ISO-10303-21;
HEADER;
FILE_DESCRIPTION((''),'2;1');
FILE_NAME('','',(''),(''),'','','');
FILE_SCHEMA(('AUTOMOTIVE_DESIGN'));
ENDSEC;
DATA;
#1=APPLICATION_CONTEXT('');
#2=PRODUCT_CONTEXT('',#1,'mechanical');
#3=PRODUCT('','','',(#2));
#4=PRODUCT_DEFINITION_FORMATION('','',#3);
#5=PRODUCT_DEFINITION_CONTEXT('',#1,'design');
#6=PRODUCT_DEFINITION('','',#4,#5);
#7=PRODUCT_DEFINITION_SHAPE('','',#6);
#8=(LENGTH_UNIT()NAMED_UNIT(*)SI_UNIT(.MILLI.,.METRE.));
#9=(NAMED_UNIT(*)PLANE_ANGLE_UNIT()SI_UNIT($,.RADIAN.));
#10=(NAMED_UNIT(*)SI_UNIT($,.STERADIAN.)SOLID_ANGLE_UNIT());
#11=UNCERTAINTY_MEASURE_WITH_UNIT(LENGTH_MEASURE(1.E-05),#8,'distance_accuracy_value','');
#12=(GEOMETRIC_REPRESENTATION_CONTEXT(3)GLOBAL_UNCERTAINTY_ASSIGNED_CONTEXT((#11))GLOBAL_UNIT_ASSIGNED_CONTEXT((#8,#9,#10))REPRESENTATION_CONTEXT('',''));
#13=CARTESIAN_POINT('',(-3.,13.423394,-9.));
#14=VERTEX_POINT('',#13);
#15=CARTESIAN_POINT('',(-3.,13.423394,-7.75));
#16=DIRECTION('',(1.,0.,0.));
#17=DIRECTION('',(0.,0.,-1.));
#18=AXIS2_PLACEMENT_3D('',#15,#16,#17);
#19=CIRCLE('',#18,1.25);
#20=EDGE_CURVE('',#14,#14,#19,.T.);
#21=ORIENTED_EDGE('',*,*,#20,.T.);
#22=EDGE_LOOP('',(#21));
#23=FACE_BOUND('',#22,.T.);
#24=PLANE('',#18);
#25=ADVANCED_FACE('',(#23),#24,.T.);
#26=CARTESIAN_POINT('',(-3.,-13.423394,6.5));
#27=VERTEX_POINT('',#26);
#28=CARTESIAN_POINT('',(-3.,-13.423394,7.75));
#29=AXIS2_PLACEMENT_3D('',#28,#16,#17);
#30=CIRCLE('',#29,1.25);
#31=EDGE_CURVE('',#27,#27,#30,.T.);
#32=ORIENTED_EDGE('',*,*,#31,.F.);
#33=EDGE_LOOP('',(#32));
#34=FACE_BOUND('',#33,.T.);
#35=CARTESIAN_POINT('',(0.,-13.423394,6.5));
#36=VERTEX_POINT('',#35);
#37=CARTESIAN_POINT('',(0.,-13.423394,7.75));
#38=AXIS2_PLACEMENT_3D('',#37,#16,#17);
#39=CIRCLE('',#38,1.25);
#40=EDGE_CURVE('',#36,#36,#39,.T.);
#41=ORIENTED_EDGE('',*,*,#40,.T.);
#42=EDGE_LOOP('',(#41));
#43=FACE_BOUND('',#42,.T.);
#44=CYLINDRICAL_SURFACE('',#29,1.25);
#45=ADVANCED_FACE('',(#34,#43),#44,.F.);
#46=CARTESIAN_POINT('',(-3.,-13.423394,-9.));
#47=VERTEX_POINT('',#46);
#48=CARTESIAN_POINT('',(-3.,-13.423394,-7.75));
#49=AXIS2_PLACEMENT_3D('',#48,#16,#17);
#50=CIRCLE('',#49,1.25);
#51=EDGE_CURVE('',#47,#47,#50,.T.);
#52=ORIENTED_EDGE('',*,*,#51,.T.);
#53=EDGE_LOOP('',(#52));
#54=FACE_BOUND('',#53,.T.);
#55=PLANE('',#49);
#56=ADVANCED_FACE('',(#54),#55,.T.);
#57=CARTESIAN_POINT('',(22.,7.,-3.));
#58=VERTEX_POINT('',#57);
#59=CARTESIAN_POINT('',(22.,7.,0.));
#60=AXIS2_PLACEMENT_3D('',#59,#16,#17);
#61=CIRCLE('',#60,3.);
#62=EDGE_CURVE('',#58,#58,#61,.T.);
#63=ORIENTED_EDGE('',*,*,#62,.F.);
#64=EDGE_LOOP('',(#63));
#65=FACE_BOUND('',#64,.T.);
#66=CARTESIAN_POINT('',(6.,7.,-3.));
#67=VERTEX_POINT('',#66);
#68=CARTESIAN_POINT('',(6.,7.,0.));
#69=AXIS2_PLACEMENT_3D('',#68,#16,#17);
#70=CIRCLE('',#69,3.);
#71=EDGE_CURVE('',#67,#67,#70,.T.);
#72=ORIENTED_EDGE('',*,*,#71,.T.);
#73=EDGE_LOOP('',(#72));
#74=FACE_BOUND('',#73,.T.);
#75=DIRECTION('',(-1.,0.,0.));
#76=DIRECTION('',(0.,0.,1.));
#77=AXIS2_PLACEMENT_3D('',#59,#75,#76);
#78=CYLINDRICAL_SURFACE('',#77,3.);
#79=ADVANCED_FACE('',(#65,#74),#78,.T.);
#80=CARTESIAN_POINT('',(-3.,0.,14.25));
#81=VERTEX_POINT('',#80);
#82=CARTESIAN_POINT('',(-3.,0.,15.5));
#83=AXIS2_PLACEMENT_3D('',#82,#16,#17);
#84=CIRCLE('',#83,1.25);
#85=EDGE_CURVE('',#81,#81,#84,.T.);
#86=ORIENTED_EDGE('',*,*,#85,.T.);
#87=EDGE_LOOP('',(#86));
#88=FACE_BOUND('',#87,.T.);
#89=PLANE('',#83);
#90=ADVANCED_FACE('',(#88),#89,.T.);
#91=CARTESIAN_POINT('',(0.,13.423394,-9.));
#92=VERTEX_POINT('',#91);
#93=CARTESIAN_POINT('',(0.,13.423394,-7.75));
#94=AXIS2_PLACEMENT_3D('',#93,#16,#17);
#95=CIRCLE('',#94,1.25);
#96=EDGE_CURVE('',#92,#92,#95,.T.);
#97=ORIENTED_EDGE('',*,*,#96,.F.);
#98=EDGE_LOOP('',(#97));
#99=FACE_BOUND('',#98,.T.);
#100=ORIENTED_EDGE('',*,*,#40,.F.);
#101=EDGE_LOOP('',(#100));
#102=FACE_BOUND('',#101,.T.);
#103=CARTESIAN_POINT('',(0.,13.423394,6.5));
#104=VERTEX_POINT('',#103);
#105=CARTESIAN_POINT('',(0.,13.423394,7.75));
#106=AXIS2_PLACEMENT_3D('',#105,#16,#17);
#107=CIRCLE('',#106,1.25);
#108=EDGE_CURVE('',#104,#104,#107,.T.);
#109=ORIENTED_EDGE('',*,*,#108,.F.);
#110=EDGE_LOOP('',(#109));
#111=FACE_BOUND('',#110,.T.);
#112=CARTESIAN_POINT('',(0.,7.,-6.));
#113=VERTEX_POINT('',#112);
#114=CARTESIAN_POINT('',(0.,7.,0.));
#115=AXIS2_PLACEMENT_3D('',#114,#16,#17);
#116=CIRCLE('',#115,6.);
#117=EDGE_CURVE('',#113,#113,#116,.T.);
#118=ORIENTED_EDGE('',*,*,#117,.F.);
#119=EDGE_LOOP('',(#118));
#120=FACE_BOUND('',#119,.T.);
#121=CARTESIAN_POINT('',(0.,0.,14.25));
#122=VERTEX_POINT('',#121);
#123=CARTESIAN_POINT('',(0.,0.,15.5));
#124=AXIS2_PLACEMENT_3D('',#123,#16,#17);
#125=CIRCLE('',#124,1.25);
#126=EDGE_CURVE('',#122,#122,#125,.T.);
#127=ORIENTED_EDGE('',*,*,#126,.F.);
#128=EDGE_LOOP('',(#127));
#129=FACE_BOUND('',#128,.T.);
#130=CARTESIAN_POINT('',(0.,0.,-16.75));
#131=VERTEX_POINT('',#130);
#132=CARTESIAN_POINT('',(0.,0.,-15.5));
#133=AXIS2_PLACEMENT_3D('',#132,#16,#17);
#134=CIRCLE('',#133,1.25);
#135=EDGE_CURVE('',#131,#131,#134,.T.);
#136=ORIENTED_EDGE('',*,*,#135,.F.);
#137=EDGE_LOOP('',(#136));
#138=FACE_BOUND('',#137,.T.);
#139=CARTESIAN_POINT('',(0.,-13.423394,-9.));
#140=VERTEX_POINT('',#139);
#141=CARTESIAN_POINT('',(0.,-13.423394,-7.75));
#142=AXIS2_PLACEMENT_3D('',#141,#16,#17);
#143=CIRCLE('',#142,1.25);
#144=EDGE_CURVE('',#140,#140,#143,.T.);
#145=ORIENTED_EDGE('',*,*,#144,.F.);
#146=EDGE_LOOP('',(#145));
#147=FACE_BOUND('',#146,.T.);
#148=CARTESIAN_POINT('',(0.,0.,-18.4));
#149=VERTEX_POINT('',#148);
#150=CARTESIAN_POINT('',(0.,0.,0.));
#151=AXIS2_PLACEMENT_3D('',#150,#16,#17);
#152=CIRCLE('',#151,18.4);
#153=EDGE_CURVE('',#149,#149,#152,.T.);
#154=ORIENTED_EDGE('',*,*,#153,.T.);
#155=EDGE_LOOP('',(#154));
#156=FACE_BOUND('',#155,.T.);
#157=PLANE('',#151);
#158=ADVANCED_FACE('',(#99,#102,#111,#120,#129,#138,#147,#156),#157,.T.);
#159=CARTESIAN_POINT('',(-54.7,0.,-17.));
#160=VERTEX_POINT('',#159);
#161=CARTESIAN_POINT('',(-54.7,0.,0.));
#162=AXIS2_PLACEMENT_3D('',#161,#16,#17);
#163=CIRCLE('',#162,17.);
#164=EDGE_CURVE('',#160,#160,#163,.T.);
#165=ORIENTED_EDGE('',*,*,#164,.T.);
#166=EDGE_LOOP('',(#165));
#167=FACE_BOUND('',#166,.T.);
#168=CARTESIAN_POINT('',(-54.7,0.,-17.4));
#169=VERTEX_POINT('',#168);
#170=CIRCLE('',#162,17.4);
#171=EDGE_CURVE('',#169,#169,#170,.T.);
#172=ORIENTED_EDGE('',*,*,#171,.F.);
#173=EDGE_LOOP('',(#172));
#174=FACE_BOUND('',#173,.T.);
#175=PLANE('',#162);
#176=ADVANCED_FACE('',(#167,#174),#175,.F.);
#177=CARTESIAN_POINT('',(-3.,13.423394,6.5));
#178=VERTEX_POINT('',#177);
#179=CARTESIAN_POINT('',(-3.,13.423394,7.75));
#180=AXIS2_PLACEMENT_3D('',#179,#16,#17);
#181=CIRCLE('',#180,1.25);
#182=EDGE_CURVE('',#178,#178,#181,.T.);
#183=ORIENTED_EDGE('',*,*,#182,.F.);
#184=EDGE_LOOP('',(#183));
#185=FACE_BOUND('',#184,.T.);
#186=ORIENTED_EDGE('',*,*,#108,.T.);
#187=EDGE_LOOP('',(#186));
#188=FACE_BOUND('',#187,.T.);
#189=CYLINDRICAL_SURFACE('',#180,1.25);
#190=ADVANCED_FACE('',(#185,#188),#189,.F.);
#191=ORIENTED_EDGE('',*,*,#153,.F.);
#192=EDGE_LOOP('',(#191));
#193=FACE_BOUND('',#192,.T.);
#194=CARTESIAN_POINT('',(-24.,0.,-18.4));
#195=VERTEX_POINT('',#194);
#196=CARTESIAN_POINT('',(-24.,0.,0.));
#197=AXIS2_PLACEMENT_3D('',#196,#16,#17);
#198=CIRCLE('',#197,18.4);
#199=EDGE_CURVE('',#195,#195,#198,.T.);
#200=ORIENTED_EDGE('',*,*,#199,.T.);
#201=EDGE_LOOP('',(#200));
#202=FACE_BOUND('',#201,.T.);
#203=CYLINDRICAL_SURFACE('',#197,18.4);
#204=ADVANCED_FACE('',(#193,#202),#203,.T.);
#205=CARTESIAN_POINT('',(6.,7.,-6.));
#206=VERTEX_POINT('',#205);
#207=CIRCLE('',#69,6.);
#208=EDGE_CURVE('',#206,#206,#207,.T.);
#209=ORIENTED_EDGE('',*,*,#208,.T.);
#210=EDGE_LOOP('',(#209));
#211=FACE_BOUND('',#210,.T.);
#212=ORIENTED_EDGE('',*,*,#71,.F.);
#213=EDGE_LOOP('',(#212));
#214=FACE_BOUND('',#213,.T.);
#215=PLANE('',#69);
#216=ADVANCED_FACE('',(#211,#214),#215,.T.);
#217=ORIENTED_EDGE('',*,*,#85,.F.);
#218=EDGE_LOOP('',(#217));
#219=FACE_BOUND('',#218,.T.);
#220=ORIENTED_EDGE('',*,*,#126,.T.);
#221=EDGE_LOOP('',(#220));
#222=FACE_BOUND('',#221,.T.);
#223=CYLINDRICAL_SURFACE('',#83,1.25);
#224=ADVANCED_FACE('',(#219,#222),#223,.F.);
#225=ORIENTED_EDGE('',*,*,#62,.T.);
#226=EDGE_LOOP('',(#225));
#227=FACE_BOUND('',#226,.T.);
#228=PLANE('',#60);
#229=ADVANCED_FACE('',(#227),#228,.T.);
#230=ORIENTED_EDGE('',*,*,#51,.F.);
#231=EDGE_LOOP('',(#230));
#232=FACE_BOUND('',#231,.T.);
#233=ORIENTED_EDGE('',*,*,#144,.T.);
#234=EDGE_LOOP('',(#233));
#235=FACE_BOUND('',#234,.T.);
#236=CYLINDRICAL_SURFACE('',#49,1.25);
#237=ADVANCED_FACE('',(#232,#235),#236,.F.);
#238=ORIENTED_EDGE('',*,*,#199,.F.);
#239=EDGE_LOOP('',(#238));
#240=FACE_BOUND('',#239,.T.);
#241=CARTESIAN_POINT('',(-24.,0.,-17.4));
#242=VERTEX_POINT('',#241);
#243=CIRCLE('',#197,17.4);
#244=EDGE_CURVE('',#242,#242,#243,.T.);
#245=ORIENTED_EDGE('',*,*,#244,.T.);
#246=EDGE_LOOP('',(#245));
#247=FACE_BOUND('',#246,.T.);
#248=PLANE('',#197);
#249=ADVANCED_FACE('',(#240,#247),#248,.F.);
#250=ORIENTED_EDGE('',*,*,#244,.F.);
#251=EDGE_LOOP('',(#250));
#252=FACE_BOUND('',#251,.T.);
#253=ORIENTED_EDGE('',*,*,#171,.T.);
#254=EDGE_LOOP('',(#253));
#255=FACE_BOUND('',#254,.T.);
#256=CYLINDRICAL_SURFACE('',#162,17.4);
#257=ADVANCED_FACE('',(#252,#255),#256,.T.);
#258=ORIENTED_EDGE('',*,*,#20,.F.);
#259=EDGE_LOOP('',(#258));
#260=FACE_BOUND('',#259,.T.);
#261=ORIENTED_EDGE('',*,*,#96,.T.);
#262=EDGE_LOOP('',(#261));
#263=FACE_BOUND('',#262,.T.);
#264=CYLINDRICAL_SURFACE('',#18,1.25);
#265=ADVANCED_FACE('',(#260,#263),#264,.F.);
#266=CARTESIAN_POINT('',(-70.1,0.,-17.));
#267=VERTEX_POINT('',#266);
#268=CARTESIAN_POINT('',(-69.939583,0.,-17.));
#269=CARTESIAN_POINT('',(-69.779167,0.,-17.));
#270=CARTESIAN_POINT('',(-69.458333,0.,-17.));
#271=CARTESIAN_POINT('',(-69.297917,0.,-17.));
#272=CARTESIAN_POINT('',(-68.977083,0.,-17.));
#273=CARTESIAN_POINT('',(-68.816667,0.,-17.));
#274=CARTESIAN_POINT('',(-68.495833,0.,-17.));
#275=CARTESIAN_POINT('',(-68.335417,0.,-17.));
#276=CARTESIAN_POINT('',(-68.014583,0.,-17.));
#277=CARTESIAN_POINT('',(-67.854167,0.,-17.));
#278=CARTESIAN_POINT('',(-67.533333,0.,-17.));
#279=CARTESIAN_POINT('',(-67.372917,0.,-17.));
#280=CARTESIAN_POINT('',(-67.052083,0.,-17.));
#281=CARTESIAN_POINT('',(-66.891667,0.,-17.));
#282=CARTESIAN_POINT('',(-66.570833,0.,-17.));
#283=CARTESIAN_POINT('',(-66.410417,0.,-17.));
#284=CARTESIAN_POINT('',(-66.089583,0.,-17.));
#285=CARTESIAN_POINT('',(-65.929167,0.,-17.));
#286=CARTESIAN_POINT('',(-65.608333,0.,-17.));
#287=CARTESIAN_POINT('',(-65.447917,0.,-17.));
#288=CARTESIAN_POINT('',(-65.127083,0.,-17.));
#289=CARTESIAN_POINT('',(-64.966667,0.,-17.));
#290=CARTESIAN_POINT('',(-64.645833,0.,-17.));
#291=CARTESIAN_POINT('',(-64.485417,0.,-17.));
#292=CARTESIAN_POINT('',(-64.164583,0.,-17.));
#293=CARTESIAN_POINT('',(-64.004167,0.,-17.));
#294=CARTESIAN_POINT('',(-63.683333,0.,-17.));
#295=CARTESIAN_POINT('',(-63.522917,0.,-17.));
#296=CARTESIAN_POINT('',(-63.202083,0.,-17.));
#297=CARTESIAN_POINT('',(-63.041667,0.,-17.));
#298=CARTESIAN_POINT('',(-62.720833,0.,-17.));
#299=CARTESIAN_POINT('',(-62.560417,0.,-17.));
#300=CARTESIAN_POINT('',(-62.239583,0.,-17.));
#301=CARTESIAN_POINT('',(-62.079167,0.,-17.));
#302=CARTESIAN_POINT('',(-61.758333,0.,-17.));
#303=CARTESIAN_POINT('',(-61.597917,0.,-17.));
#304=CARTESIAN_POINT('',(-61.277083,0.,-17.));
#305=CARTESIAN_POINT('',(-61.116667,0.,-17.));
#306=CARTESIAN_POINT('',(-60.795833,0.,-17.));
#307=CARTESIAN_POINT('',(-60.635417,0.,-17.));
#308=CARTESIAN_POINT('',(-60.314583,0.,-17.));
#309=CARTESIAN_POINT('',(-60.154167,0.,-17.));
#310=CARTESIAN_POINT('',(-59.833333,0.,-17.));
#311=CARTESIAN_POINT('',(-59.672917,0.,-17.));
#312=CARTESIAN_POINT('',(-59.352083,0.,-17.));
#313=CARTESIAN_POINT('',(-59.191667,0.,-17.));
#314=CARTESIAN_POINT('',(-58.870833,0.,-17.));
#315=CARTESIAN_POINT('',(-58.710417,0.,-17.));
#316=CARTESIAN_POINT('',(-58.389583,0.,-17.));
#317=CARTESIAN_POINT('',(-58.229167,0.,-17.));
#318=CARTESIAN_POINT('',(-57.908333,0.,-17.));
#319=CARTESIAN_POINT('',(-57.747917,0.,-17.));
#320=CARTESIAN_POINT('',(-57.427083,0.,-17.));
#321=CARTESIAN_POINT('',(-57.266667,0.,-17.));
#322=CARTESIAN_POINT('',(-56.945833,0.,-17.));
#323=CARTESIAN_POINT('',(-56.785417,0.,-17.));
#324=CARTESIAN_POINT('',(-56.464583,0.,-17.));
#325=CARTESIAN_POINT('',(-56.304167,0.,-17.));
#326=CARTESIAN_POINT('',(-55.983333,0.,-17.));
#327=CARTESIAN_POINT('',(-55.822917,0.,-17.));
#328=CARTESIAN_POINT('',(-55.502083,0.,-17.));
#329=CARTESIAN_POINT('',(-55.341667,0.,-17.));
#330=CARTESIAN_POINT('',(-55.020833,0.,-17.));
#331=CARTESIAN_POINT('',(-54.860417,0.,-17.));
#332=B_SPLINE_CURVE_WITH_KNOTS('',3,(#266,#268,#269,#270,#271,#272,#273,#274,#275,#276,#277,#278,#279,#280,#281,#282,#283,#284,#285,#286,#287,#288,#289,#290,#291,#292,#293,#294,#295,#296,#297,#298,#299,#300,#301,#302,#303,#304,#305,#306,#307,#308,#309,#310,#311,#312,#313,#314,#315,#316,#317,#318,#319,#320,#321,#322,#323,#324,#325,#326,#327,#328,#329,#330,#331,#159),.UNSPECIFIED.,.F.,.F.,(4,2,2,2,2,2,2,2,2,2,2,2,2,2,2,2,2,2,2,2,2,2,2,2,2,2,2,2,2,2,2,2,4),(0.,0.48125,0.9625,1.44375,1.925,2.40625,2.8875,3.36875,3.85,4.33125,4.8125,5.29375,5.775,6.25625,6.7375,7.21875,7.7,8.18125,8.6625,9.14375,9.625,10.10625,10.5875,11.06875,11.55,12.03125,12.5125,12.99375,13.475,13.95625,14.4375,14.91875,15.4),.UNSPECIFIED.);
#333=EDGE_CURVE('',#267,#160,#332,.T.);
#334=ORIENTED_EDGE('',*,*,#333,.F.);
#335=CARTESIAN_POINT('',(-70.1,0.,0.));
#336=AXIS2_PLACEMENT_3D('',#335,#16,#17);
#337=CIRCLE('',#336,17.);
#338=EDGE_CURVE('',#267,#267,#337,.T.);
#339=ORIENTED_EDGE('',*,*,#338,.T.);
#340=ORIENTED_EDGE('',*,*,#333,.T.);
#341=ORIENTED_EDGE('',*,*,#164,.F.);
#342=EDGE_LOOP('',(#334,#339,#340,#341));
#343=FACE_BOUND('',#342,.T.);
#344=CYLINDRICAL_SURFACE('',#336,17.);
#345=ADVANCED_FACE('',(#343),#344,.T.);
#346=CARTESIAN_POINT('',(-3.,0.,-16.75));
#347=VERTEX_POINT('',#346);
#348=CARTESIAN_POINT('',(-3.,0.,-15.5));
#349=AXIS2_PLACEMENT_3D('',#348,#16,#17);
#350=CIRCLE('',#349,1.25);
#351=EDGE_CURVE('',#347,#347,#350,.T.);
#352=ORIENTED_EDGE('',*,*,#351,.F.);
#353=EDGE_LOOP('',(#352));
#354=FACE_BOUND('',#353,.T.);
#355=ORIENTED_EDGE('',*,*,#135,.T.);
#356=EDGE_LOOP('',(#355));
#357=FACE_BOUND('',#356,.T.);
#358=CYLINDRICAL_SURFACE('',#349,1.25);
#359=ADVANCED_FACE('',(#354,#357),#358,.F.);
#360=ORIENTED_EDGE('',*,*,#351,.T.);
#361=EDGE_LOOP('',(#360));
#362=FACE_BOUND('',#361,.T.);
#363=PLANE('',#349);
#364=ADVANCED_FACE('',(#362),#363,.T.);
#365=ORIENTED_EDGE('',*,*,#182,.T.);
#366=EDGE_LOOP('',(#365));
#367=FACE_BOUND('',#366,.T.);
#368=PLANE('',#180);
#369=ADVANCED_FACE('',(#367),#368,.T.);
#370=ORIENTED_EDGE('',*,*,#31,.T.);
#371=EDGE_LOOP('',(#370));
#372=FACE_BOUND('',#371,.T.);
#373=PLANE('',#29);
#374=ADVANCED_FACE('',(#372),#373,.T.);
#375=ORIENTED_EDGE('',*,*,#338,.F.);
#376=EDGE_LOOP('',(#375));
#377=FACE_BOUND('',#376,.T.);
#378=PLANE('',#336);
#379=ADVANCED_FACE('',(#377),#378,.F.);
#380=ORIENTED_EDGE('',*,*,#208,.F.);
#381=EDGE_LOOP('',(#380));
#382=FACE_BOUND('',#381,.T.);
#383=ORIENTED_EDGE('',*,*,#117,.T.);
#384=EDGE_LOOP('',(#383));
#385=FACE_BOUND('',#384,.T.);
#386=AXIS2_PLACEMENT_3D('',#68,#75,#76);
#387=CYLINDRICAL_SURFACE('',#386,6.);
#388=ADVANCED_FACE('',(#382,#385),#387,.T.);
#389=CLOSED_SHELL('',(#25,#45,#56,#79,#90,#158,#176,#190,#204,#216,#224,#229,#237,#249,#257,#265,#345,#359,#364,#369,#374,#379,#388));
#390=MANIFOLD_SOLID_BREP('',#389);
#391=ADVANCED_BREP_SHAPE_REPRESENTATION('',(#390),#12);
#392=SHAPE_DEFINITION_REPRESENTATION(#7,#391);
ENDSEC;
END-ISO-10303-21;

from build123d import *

# Parameters (mm, degrees)
SK_GEARBOX_R              = 18.4
EX_GEARBOX_DEPTH          = 24
SK_MOTOR_R                = 17.4
EX_MOTOR_DEPTH            = 30.7
SK_ENCODER_R              = 17
EX_ENCODER_DEPTH          = 15.4
SK_BUSHING_R              = 6
EX_BUSHING_DEPTH          = 6
SK_SHAFT_R                = 3
EX_SHAFT_DEPTH            = 16
SK_MOUNTHOLES_6XM3_R      = 1.25
CUT_MOUNTHOLES_6XM3_DEPTH = 3


with BuildPart() as part:
    # SK_Gearbox → EX_Gearbox (new body)
    with BuildSketch(Plane(origin=(0, 0, 0), x_dir=(0, 0, -1), z_dir=(1, 0, 0))):
        Circle(SK_GEARBOX_R)
    extrude(amount=-EX_GEARBOX_DEPTH)

    # SK_Motor → EX_Motor (add)
    with BuildSketch(Plane(origin=(-24, 0, 0), x_dir=(0, 0, -1), z_dir=(1, 0, 0))):
        Circle(SK_MOTOR_R)
    extrude(amount=-EX_MOTOR_DEPTH)

    # SK_Encoder → EX_Encoder (add)
    with BuildSketch(Plane(origin=(-54.7, 0, 0), x_dir=(0, 0, -1), z_dir=(1, 0, 0))):
        Circle(SK_ENCODER_R)
    extrude(amount=-EX_ENCODER_DEPTH)

    # SK_Bushing → EX_Bushing (add)
    with BuildSketch(Plane(origin=(0, 0, 0), x_dir=(0, 0, -1), z_dir=(1, 0, 0))):
        with Locations((0, 7)):
            Circle(SK_BUSHING_R)
    extrude(amount=EX_BUSHING_DEPTH)

    # SK_Shaft → EX_Shaft (add)
    with BuildSketch(Plane(origin=(6, 0, 0), x_dir=(0, 0, -1), z_dir=(1, 0, 0))):
        with Locations((0, 7)):
            Circle(SK_SHAFT_R)
    extrude(amount=EX_SHAFT_DEPTH)

    # SK_MountHoles_6xM3 → CUT_MountHoles_6xM3 (cut)
    with BuildSketch(Plane(origin=(0, 0, 0), x_dir=(0, 0, -1), z_dir=(1, 0, 0))):
        with Locations((-15.5, 0)):
            Circle(SK_MOUNTHOLES_6XM3_R)
        with Locations((-7.75, 13.423393759)):
            Circle(SK_MOUNTHOLES_6XM3_R)
        with Locations((7.75, 13.423393759)):
            Circle(SK_MOUNTHOLES_6XM3_R)
        with Locations((15.5, 0)):
            Circle(SK_MOUNTHOLES_6XM3_R)
        with Locations((7.75, -13.423393759)):
            Circle(SK_MOUNTHOLES_6XM3_R)
        with Locations((-7.75, -13.423393759)):
            Circle(SK_MOUNTHOLES_6XM3_R)
    extrude(amount=-CUT_MOUNTHOLES_6XM3_DEPTH, mode=Mode.SUBTRACT)


solid = part.part
